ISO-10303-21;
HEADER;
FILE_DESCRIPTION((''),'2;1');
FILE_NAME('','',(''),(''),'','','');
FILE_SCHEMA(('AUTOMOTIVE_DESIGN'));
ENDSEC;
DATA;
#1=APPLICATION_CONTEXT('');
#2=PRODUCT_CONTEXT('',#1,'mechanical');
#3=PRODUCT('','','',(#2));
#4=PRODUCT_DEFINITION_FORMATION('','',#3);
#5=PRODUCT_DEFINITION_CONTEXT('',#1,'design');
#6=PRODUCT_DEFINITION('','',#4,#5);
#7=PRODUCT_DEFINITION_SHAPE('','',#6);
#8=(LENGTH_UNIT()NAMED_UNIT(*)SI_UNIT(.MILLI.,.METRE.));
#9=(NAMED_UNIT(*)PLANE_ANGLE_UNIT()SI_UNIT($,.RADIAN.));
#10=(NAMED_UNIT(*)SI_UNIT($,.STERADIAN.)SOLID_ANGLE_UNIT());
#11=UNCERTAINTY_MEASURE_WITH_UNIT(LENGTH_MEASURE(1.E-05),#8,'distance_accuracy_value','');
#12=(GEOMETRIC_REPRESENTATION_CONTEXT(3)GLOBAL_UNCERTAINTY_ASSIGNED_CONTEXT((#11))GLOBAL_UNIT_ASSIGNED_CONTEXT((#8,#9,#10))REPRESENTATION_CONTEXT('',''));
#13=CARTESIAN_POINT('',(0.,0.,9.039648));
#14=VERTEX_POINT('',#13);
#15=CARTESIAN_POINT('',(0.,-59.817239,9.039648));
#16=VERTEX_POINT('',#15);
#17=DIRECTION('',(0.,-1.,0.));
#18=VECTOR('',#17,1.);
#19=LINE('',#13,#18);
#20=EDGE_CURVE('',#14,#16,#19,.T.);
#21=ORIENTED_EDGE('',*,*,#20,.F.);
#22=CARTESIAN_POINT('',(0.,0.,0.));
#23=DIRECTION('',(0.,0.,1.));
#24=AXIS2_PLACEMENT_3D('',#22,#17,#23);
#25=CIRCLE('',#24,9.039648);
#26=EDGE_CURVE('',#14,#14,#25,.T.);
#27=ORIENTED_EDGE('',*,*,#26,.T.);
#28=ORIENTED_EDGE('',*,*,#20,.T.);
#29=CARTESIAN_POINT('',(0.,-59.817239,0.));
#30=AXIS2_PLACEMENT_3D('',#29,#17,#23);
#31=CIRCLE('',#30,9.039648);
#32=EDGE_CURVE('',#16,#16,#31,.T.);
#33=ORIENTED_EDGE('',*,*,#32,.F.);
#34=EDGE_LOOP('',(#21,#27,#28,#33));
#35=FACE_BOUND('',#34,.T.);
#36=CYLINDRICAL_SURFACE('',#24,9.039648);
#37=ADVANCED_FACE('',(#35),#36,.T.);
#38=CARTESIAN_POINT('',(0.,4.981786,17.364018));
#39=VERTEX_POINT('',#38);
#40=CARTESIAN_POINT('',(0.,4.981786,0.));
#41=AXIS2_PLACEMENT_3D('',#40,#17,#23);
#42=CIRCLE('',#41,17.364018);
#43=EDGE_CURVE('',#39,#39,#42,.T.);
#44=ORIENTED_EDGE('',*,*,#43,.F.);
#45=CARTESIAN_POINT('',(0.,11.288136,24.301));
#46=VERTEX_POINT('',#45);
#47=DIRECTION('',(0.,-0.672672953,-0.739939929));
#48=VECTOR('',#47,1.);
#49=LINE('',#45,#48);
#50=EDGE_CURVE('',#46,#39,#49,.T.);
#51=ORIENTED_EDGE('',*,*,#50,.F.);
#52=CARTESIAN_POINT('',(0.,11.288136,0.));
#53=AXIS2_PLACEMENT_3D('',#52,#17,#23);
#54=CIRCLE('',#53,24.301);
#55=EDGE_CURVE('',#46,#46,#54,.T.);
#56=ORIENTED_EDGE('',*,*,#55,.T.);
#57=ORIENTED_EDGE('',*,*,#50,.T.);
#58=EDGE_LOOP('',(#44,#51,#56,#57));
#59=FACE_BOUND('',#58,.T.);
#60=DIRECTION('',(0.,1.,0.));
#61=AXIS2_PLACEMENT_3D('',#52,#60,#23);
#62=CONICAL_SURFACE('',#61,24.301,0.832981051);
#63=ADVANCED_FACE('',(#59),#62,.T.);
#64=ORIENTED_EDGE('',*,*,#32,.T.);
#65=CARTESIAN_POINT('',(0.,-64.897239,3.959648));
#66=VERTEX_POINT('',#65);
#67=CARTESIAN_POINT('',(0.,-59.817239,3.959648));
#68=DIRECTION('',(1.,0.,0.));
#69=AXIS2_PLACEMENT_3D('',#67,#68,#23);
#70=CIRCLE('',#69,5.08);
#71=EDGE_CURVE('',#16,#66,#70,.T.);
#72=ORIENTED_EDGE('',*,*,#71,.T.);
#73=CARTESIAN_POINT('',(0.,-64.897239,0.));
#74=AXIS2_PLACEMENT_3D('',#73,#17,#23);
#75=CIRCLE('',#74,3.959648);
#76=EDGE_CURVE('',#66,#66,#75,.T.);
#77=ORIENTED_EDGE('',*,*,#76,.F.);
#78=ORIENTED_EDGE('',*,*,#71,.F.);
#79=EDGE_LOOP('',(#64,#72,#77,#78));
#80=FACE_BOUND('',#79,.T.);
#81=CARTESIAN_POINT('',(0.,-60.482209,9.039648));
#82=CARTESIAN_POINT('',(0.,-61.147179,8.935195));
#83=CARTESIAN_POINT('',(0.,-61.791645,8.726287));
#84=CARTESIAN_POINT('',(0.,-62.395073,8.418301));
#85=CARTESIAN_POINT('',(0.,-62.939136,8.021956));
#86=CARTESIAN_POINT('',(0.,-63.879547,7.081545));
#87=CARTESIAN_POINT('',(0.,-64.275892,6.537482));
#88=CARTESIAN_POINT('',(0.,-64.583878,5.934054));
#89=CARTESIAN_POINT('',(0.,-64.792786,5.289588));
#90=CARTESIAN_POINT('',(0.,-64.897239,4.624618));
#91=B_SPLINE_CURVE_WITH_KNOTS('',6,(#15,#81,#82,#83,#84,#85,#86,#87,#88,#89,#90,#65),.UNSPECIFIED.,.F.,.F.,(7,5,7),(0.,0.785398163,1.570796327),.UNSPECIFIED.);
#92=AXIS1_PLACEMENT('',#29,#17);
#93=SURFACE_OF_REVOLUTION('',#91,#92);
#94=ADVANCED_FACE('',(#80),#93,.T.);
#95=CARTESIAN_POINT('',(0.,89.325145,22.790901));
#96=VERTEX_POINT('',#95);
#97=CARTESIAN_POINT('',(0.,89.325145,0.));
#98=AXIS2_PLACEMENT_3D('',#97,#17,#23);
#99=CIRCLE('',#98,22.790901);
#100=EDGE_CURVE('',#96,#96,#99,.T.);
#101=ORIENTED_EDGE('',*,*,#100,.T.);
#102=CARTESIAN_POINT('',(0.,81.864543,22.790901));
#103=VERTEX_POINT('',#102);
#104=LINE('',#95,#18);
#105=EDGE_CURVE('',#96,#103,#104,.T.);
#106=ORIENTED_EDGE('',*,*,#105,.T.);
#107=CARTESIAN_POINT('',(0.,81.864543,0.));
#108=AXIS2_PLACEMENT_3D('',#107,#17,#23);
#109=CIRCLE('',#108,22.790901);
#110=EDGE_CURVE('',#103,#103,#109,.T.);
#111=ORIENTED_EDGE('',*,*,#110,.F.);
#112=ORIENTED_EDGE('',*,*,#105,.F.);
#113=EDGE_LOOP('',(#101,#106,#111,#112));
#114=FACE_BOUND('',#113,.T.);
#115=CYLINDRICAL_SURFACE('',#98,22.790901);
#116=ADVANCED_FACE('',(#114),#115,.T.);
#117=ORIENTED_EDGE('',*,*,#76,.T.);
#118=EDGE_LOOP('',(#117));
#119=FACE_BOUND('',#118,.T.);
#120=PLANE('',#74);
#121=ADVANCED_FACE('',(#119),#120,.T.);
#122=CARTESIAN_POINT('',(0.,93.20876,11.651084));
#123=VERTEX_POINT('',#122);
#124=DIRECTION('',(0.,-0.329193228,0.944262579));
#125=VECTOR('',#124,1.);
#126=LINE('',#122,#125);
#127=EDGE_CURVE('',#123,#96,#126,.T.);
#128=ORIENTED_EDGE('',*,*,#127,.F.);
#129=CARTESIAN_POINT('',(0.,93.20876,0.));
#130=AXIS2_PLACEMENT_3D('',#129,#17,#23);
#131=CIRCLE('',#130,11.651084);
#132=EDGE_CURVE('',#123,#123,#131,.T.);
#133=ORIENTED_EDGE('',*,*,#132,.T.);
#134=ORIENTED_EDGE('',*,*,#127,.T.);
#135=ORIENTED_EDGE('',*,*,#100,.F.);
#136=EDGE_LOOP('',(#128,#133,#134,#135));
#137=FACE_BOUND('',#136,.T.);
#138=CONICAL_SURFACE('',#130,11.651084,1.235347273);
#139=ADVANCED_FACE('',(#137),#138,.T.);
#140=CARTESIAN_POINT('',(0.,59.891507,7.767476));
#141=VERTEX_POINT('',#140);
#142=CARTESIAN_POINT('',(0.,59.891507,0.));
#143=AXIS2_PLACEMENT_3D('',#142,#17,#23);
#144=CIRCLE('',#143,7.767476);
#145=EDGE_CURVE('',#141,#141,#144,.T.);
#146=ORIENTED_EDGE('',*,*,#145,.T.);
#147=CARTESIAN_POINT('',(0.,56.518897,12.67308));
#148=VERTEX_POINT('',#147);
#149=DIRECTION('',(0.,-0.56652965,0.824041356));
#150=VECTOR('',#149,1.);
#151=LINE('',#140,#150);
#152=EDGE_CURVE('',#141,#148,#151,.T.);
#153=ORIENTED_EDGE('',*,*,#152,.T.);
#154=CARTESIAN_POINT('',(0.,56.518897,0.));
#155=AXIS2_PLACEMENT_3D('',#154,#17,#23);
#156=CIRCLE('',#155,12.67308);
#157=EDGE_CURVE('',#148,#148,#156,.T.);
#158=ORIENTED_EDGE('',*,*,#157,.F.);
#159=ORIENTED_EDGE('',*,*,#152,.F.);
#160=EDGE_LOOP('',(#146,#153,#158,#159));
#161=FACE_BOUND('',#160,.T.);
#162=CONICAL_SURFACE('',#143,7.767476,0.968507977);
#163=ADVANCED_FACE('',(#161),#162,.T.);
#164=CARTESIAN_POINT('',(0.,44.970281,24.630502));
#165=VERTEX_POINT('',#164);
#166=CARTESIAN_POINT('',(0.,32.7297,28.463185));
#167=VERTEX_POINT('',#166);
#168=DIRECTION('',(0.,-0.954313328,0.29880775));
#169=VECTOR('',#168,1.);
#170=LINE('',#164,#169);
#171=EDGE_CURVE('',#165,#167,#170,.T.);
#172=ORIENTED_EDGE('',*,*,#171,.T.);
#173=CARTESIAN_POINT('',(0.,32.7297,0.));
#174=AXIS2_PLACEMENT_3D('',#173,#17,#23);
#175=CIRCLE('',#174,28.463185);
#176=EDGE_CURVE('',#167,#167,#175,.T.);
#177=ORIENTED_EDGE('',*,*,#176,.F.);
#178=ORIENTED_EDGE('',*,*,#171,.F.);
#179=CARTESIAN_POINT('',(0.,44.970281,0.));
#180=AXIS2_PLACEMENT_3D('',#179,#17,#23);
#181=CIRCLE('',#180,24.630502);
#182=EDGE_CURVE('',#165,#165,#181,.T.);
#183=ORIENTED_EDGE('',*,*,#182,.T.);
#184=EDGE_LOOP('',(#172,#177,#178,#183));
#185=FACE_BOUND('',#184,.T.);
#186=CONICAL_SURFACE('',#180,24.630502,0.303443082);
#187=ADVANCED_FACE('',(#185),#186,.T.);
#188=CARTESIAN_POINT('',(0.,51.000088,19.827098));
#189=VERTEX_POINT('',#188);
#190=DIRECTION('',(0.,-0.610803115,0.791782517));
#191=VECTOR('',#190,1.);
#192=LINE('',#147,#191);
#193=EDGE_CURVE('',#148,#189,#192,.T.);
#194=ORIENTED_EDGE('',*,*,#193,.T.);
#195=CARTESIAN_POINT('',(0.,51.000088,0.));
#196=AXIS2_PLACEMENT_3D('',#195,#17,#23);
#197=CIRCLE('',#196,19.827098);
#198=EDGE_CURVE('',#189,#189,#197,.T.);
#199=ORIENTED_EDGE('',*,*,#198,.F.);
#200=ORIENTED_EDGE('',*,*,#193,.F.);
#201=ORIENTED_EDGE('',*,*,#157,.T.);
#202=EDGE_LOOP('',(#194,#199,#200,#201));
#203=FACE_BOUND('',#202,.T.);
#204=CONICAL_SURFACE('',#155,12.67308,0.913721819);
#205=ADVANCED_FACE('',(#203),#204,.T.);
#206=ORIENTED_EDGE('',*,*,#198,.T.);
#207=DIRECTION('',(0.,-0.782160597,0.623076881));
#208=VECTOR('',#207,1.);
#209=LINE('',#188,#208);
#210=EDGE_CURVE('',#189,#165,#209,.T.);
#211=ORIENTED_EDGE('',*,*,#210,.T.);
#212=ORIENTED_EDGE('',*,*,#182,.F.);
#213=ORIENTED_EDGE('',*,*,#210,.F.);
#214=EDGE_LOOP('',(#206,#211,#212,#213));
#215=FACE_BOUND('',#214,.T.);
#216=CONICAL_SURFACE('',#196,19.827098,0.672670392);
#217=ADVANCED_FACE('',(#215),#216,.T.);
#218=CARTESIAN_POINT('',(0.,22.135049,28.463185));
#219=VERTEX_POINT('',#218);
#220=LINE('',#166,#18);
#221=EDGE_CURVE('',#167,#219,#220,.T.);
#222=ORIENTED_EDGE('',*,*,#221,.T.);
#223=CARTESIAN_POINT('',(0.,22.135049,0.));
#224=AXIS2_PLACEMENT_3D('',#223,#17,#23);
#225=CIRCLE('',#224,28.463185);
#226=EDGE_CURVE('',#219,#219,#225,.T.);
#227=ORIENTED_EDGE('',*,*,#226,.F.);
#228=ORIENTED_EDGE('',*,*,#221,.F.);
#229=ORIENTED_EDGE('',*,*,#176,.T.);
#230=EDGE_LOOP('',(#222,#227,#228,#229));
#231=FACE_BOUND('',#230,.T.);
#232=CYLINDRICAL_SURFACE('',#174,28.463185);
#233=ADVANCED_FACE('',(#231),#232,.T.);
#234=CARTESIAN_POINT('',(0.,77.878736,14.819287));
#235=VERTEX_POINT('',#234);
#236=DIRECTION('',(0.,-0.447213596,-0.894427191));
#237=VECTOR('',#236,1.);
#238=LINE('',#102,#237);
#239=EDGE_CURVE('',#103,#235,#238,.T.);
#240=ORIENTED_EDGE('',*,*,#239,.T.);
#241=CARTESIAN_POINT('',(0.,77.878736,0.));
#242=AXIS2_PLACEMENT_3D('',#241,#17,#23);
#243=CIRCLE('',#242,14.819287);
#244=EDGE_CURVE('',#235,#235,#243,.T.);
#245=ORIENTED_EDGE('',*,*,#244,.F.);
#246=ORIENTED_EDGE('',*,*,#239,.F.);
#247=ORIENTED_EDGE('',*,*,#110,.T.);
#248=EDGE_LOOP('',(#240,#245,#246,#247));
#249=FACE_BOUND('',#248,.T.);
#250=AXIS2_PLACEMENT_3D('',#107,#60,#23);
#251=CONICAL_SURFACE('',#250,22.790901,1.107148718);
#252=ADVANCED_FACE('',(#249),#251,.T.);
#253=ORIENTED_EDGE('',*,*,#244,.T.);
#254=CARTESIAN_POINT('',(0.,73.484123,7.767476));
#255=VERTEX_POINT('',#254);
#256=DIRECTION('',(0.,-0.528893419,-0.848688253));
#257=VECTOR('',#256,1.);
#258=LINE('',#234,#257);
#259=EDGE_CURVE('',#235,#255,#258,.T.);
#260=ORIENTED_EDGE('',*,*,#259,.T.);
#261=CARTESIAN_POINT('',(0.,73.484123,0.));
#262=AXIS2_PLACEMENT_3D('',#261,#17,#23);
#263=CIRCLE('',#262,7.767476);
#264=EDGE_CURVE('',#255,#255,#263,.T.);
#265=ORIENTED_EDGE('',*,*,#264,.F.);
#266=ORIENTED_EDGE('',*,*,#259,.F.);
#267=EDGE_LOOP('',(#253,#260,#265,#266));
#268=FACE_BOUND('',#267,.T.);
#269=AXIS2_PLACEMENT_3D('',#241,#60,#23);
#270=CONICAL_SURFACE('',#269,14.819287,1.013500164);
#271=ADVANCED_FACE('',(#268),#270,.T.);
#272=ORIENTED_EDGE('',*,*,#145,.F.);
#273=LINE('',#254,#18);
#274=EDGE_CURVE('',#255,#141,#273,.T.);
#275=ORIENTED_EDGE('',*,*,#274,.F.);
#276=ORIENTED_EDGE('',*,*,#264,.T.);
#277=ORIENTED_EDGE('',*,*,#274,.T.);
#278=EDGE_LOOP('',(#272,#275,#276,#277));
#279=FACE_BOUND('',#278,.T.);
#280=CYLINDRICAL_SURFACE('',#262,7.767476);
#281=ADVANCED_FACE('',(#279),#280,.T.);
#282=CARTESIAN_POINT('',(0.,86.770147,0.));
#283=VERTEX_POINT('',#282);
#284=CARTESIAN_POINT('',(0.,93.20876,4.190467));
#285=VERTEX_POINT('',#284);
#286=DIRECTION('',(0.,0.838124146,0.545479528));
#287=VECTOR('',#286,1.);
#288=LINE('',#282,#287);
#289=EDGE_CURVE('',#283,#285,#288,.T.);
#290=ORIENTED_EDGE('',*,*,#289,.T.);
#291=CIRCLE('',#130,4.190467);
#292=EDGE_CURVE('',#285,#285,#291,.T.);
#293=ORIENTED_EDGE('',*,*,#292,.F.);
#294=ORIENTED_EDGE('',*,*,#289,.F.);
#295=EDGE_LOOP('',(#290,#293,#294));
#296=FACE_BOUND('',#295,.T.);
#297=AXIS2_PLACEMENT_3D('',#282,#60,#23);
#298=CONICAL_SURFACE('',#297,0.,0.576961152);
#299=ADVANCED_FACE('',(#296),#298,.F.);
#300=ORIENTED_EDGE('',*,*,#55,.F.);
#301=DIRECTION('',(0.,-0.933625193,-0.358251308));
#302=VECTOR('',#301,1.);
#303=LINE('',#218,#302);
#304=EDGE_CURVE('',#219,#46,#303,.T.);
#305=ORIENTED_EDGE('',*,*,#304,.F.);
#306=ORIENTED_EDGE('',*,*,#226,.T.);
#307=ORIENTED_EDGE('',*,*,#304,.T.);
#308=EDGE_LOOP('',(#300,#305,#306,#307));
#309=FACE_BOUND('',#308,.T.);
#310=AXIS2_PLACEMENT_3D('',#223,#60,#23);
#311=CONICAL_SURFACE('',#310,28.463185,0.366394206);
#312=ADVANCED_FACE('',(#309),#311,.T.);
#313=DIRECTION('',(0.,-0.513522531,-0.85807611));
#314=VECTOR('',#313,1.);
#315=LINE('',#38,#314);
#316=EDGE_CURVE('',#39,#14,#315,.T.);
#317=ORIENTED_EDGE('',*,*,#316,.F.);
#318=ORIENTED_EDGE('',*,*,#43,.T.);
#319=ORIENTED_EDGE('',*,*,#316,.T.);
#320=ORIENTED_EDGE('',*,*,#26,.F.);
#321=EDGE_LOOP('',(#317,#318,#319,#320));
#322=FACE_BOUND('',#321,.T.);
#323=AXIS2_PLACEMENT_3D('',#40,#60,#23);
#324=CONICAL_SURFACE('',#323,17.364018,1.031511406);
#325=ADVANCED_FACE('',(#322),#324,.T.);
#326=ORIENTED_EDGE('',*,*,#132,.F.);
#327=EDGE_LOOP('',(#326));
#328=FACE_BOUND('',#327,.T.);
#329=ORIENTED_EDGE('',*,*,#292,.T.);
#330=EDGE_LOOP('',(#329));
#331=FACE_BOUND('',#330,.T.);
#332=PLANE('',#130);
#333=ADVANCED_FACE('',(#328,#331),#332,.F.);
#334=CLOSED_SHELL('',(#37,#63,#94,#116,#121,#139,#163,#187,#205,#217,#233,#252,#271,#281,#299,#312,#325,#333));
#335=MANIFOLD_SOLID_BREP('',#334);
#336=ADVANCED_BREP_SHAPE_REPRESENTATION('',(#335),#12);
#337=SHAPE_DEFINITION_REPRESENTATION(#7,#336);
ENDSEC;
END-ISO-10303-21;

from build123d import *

# Parameters (mm, degrees)
F2_R = 5.08


with BuildPart() as f1:
    # F0 (on Right) → F1 (revolve)
    with BuildSketch(Plane.YZ):
        Polygon((-64.897239, 0), (0, 0), (86.770147, 0), (93.20876, 4.190467), (93.20876, 11.651084), (89.325145, 22.790901), (81.864543, 22.790901), (77.878736, 14.819287), (73.484123, 7.767476), (59.891507, 7.767476), (56.518897, 12.67308), (51.000088, 19.827098), (44.970281, 24.630502), (32.7297, 28.463185), (22.135049, 28.463185), (11.288136, 24.301), (4.981786, 17.364018), (0, 9.039648), (-64.897239, 9.039648), align=None)
    revolve(axis=Axis((0, -32.44862, 0), (0, -1, 0)))

    # F2
    f2_edges = [f1.edges().sort_by_distance(p)[0] for p in [
        (0, -64.897239, -9.039648),
    ]]
    fillet(f2_edges, radius=F2_R)


solid = f1.part
